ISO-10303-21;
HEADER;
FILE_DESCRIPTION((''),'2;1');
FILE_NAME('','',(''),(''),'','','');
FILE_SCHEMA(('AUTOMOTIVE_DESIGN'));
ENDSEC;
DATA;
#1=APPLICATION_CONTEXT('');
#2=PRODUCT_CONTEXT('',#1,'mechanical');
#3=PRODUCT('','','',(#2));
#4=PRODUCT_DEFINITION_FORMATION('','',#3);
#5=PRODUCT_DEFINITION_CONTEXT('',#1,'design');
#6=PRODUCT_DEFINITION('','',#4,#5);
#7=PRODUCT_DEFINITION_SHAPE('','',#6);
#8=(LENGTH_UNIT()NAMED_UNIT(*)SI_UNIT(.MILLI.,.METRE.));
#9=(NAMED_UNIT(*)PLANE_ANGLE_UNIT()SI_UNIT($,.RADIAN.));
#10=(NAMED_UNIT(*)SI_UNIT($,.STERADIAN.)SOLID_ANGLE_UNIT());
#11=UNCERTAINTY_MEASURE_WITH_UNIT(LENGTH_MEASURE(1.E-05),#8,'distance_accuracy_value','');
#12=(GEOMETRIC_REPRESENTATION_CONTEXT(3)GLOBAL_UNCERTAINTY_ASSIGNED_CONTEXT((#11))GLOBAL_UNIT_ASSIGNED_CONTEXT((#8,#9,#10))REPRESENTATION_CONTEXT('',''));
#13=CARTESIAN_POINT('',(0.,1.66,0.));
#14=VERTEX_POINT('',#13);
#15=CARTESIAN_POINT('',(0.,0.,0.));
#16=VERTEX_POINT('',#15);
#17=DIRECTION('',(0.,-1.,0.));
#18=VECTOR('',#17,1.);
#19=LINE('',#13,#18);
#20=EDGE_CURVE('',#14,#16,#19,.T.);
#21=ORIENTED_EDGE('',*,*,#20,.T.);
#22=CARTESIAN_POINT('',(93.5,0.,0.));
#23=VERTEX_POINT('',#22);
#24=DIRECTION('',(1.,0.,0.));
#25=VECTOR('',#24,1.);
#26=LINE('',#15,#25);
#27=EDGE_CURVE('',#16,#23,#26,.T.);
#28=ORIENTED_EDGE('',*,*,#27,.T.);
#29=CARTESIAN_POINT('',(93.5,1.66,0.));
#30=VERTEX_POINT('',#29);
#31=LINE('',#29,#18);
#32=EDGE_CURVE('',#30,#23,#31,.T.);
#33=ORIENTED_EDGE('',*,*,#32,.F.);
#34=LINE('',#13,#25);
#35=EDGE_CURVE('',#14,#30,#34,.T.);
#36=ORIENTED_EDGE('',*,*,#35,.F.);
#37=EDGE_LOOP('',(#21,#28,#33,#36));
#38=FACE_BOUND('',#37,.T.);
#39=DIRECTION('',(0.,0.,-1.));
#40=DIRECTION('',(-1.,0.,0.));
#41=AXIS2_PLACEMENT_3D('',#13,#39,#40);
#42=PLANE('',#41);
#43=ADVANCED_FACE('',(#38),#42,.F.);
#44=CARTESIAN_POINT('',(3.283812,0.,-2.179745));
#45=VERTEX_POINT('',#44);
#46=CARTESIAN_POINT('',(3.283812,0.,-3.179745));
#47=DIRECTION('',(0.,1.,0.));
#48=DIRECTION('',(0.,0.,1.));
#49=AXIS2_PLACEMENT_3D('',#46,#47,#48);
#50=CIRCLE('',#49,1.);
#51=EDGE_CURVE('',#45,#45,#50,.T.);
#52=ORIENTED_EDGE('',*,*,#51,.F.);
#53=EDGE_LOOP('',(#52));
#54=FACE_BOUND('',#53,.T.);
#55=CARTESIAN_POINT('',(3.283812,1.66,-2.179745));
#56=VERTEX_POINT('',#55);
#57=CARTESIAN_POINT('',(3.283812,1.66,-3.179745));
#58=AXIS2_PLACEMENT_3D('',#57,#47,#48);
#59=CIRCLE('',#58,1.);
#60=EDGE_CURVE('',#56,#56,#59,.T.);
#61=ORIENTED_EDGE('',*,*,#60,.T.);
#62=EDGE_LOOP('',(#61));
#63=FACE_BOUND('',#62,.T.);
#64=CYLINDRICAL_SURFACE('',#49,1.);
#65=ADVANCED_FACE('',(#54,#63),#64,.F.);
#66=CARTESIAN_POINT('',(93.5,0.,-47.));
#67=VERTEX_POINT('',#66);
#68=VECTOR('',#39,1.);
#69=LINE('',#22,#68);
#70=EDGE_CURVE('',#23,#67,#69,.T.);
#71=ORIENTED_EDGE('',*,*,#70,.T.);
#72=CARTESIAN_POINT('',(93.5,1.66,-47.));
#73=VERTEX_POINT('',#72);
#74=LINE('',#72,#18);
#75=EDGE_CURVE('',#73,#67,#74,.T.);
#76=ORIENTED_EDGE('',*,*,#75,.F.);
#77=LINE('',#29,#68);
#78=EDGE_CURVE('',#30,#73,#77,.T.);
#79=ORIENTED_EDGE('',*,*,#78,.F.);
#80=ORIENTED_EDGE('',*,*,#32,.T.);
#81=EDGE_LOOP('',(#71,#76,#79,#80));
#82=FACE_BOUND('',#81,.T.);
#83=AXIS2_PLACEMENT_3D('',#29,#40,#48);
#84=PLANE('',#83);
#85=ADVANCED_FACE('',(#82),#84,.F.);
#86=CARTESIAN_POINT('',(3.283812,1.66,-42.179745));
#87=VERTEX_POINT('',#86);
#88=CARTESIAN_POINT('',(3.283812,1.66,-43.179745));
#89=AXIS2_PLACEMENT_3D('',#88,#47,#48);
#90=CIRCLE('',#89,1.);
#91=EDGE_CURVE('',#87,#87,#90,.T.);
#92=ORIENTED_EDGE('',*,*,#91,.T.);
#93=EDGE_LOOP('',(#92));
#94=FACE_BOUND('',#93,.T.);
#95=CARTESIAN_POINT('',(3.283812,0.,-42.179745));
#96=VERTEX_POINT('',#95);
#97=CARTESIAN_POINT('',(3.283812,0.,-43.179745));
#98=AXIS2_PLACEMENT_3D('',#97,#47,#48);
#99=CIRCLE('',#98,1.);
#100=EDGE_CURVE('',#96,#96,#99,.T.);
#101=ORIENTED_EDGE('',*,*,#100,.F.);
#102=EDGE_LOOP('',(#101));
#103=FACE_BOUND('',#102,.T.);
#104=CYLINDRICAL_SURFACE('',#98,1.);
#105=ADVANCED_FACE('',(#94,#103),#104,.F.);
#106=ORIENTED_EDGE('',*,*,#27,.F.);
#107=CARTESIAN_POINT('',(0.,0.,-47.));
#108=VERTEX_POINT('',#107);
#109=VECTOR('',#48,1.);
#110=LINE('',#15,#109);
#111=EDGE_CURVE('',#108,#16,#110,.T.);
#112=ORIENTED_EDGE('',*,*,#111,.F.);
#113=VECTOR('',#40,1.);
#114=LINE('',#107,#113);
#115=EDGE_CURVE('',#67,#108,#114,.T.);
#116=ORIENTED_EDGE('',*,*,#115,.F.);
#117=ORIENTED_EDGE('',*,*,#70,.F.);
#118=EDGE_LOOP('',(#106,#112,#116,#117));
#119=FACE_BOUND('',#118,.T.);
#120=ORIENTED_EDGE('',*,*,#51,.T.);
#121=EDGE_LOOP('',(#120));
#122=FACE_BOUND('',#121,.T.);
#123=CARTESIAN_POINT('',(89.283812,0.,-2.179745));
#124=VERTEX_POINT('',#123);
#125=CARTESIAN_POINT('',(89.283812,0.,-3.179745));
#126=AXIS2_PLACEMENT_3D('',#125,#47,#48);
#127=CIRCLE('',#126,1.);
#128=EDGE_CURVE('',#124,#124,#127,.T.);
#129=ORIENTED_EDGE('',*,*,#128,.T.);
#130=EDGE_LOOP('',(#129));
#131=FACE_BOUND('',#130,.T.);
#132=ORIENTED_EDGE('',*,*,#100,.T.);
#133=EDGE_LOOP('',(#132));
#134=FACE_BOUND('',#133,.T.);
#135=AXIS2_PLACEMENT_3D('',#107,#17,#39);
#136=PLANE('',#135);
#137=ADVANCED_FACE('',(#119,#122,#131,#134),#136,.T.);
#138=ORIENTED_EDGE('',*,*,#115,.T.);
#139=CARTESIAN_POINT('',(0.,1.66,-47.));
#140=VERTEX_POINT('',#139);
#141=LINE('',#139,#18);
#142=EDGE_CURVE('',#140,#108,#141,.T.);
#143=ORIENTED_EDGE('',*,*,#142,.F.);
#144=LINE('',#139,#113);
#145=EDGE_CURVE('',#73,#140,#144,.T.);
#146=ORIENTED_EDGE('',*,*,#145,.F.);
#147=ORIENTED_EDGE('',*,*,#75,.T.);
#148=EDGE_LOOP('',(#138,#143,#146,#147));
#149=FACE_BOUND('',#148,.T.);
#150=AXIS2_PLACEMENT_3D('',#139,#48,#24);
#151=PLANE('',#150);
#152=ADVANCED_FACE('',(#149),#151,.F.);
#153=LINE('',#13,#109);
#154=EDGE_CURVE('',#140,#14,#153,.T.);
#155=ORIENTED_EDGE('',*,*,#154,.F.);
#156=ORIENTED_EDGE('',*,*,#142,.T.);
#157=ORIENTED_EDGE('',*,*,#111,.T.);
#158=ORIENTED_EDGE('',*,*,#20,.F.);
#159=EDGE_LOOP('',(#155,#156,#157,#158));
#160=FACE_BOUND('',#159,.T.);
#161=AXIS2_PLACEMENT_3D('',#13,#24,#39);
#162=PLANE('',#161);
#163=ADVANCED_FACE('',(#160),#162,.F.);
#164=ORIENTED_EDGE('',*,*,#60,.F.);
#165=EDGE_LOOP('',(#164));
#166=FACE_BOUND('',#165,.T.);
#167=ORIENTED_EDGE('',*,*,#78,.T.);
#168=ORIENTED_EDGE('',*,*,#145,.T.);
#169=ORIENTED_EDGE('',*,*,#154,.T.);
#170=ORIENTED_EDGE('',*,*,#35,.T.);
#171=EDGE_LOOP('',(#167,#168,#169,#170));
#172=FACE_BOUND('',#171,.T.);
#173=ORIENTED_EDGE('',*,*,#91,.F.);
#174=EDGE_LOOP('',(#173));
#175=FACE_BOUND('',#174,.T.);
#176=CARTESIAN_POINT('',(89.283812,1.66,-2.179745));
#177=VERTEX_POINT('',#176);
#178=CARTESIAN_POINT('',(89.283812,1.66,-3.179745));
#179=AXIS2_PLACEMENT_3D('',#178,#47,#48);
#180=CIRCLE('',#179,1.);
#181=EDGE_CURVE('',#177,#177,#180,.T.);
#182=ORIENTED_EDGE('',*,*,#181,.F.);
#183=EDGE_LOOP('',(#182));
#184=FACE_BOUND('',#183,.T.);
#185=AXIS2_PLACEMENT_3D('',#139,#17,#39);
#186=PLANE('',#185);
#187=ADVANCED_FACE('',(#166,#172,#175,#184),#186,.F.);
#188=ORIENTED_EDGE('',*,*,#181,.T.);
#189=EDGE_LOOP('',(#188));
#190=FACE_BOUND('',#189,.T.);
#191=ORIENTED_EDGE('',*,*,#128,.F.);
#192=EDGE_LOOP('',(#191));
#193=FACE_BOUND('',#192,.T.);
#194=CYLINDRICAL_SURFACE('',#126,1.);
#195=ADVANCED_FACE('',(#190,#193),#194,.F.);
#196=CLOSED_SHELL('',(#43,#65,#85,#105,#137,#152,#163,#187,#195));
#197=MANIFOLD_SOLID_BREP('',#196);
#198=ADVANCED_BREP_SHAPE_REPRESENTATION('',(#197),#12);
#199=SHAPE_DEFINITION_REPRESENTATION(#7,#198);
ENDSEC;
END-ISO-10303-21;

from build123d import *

# Parameters (mm, degrees)
ESBO_O1_W                = 93.5
ESBO_O1_H                = 47
RESSALTO_EXTRUS_O1_DEPTH = 1.66
ESBO_O2_R                = 1
CORTE_EXTRUS_O1_DEPTH    = 1.66


with BuildPart() as part:
    # Esboço1 → Ressalto-extrusão1 (new body)
    with BuildSketch(Plane(origin=(0, 0, 0), x_dir=(1, 0, 0), z_dir=(0, 1, 0))):
        with Locations((46.75, 23.5)):
            Rectangle(ESBO_O1_W, ESBO_O1_H)
    extrude(amount=RESSALTO_EXTRUS_O1_DEPTH)

    # Esboço2 → Corte-extrusão1 (cut)
    with BuildSketch(Plane(origin=(0, 1.66, 0), x_dir=(1, 0, 0), z_dir=(0, 1, 0))):
        with Locations((3.283811519, 43.179745345)):
            Circle(ESBO_O2_R)
        with Locations((89.283811519, 3.179745345)):
            Circle(ESBO_O2_R)
        with Locations((3.283811519, 3.179745345)):
            Circle(ESBO_O2_R)
    extrude(amount=-CORTE_EXTRUS_O1_DEPTH, mode=Mode.SUBTRACT)


solid = part.part
